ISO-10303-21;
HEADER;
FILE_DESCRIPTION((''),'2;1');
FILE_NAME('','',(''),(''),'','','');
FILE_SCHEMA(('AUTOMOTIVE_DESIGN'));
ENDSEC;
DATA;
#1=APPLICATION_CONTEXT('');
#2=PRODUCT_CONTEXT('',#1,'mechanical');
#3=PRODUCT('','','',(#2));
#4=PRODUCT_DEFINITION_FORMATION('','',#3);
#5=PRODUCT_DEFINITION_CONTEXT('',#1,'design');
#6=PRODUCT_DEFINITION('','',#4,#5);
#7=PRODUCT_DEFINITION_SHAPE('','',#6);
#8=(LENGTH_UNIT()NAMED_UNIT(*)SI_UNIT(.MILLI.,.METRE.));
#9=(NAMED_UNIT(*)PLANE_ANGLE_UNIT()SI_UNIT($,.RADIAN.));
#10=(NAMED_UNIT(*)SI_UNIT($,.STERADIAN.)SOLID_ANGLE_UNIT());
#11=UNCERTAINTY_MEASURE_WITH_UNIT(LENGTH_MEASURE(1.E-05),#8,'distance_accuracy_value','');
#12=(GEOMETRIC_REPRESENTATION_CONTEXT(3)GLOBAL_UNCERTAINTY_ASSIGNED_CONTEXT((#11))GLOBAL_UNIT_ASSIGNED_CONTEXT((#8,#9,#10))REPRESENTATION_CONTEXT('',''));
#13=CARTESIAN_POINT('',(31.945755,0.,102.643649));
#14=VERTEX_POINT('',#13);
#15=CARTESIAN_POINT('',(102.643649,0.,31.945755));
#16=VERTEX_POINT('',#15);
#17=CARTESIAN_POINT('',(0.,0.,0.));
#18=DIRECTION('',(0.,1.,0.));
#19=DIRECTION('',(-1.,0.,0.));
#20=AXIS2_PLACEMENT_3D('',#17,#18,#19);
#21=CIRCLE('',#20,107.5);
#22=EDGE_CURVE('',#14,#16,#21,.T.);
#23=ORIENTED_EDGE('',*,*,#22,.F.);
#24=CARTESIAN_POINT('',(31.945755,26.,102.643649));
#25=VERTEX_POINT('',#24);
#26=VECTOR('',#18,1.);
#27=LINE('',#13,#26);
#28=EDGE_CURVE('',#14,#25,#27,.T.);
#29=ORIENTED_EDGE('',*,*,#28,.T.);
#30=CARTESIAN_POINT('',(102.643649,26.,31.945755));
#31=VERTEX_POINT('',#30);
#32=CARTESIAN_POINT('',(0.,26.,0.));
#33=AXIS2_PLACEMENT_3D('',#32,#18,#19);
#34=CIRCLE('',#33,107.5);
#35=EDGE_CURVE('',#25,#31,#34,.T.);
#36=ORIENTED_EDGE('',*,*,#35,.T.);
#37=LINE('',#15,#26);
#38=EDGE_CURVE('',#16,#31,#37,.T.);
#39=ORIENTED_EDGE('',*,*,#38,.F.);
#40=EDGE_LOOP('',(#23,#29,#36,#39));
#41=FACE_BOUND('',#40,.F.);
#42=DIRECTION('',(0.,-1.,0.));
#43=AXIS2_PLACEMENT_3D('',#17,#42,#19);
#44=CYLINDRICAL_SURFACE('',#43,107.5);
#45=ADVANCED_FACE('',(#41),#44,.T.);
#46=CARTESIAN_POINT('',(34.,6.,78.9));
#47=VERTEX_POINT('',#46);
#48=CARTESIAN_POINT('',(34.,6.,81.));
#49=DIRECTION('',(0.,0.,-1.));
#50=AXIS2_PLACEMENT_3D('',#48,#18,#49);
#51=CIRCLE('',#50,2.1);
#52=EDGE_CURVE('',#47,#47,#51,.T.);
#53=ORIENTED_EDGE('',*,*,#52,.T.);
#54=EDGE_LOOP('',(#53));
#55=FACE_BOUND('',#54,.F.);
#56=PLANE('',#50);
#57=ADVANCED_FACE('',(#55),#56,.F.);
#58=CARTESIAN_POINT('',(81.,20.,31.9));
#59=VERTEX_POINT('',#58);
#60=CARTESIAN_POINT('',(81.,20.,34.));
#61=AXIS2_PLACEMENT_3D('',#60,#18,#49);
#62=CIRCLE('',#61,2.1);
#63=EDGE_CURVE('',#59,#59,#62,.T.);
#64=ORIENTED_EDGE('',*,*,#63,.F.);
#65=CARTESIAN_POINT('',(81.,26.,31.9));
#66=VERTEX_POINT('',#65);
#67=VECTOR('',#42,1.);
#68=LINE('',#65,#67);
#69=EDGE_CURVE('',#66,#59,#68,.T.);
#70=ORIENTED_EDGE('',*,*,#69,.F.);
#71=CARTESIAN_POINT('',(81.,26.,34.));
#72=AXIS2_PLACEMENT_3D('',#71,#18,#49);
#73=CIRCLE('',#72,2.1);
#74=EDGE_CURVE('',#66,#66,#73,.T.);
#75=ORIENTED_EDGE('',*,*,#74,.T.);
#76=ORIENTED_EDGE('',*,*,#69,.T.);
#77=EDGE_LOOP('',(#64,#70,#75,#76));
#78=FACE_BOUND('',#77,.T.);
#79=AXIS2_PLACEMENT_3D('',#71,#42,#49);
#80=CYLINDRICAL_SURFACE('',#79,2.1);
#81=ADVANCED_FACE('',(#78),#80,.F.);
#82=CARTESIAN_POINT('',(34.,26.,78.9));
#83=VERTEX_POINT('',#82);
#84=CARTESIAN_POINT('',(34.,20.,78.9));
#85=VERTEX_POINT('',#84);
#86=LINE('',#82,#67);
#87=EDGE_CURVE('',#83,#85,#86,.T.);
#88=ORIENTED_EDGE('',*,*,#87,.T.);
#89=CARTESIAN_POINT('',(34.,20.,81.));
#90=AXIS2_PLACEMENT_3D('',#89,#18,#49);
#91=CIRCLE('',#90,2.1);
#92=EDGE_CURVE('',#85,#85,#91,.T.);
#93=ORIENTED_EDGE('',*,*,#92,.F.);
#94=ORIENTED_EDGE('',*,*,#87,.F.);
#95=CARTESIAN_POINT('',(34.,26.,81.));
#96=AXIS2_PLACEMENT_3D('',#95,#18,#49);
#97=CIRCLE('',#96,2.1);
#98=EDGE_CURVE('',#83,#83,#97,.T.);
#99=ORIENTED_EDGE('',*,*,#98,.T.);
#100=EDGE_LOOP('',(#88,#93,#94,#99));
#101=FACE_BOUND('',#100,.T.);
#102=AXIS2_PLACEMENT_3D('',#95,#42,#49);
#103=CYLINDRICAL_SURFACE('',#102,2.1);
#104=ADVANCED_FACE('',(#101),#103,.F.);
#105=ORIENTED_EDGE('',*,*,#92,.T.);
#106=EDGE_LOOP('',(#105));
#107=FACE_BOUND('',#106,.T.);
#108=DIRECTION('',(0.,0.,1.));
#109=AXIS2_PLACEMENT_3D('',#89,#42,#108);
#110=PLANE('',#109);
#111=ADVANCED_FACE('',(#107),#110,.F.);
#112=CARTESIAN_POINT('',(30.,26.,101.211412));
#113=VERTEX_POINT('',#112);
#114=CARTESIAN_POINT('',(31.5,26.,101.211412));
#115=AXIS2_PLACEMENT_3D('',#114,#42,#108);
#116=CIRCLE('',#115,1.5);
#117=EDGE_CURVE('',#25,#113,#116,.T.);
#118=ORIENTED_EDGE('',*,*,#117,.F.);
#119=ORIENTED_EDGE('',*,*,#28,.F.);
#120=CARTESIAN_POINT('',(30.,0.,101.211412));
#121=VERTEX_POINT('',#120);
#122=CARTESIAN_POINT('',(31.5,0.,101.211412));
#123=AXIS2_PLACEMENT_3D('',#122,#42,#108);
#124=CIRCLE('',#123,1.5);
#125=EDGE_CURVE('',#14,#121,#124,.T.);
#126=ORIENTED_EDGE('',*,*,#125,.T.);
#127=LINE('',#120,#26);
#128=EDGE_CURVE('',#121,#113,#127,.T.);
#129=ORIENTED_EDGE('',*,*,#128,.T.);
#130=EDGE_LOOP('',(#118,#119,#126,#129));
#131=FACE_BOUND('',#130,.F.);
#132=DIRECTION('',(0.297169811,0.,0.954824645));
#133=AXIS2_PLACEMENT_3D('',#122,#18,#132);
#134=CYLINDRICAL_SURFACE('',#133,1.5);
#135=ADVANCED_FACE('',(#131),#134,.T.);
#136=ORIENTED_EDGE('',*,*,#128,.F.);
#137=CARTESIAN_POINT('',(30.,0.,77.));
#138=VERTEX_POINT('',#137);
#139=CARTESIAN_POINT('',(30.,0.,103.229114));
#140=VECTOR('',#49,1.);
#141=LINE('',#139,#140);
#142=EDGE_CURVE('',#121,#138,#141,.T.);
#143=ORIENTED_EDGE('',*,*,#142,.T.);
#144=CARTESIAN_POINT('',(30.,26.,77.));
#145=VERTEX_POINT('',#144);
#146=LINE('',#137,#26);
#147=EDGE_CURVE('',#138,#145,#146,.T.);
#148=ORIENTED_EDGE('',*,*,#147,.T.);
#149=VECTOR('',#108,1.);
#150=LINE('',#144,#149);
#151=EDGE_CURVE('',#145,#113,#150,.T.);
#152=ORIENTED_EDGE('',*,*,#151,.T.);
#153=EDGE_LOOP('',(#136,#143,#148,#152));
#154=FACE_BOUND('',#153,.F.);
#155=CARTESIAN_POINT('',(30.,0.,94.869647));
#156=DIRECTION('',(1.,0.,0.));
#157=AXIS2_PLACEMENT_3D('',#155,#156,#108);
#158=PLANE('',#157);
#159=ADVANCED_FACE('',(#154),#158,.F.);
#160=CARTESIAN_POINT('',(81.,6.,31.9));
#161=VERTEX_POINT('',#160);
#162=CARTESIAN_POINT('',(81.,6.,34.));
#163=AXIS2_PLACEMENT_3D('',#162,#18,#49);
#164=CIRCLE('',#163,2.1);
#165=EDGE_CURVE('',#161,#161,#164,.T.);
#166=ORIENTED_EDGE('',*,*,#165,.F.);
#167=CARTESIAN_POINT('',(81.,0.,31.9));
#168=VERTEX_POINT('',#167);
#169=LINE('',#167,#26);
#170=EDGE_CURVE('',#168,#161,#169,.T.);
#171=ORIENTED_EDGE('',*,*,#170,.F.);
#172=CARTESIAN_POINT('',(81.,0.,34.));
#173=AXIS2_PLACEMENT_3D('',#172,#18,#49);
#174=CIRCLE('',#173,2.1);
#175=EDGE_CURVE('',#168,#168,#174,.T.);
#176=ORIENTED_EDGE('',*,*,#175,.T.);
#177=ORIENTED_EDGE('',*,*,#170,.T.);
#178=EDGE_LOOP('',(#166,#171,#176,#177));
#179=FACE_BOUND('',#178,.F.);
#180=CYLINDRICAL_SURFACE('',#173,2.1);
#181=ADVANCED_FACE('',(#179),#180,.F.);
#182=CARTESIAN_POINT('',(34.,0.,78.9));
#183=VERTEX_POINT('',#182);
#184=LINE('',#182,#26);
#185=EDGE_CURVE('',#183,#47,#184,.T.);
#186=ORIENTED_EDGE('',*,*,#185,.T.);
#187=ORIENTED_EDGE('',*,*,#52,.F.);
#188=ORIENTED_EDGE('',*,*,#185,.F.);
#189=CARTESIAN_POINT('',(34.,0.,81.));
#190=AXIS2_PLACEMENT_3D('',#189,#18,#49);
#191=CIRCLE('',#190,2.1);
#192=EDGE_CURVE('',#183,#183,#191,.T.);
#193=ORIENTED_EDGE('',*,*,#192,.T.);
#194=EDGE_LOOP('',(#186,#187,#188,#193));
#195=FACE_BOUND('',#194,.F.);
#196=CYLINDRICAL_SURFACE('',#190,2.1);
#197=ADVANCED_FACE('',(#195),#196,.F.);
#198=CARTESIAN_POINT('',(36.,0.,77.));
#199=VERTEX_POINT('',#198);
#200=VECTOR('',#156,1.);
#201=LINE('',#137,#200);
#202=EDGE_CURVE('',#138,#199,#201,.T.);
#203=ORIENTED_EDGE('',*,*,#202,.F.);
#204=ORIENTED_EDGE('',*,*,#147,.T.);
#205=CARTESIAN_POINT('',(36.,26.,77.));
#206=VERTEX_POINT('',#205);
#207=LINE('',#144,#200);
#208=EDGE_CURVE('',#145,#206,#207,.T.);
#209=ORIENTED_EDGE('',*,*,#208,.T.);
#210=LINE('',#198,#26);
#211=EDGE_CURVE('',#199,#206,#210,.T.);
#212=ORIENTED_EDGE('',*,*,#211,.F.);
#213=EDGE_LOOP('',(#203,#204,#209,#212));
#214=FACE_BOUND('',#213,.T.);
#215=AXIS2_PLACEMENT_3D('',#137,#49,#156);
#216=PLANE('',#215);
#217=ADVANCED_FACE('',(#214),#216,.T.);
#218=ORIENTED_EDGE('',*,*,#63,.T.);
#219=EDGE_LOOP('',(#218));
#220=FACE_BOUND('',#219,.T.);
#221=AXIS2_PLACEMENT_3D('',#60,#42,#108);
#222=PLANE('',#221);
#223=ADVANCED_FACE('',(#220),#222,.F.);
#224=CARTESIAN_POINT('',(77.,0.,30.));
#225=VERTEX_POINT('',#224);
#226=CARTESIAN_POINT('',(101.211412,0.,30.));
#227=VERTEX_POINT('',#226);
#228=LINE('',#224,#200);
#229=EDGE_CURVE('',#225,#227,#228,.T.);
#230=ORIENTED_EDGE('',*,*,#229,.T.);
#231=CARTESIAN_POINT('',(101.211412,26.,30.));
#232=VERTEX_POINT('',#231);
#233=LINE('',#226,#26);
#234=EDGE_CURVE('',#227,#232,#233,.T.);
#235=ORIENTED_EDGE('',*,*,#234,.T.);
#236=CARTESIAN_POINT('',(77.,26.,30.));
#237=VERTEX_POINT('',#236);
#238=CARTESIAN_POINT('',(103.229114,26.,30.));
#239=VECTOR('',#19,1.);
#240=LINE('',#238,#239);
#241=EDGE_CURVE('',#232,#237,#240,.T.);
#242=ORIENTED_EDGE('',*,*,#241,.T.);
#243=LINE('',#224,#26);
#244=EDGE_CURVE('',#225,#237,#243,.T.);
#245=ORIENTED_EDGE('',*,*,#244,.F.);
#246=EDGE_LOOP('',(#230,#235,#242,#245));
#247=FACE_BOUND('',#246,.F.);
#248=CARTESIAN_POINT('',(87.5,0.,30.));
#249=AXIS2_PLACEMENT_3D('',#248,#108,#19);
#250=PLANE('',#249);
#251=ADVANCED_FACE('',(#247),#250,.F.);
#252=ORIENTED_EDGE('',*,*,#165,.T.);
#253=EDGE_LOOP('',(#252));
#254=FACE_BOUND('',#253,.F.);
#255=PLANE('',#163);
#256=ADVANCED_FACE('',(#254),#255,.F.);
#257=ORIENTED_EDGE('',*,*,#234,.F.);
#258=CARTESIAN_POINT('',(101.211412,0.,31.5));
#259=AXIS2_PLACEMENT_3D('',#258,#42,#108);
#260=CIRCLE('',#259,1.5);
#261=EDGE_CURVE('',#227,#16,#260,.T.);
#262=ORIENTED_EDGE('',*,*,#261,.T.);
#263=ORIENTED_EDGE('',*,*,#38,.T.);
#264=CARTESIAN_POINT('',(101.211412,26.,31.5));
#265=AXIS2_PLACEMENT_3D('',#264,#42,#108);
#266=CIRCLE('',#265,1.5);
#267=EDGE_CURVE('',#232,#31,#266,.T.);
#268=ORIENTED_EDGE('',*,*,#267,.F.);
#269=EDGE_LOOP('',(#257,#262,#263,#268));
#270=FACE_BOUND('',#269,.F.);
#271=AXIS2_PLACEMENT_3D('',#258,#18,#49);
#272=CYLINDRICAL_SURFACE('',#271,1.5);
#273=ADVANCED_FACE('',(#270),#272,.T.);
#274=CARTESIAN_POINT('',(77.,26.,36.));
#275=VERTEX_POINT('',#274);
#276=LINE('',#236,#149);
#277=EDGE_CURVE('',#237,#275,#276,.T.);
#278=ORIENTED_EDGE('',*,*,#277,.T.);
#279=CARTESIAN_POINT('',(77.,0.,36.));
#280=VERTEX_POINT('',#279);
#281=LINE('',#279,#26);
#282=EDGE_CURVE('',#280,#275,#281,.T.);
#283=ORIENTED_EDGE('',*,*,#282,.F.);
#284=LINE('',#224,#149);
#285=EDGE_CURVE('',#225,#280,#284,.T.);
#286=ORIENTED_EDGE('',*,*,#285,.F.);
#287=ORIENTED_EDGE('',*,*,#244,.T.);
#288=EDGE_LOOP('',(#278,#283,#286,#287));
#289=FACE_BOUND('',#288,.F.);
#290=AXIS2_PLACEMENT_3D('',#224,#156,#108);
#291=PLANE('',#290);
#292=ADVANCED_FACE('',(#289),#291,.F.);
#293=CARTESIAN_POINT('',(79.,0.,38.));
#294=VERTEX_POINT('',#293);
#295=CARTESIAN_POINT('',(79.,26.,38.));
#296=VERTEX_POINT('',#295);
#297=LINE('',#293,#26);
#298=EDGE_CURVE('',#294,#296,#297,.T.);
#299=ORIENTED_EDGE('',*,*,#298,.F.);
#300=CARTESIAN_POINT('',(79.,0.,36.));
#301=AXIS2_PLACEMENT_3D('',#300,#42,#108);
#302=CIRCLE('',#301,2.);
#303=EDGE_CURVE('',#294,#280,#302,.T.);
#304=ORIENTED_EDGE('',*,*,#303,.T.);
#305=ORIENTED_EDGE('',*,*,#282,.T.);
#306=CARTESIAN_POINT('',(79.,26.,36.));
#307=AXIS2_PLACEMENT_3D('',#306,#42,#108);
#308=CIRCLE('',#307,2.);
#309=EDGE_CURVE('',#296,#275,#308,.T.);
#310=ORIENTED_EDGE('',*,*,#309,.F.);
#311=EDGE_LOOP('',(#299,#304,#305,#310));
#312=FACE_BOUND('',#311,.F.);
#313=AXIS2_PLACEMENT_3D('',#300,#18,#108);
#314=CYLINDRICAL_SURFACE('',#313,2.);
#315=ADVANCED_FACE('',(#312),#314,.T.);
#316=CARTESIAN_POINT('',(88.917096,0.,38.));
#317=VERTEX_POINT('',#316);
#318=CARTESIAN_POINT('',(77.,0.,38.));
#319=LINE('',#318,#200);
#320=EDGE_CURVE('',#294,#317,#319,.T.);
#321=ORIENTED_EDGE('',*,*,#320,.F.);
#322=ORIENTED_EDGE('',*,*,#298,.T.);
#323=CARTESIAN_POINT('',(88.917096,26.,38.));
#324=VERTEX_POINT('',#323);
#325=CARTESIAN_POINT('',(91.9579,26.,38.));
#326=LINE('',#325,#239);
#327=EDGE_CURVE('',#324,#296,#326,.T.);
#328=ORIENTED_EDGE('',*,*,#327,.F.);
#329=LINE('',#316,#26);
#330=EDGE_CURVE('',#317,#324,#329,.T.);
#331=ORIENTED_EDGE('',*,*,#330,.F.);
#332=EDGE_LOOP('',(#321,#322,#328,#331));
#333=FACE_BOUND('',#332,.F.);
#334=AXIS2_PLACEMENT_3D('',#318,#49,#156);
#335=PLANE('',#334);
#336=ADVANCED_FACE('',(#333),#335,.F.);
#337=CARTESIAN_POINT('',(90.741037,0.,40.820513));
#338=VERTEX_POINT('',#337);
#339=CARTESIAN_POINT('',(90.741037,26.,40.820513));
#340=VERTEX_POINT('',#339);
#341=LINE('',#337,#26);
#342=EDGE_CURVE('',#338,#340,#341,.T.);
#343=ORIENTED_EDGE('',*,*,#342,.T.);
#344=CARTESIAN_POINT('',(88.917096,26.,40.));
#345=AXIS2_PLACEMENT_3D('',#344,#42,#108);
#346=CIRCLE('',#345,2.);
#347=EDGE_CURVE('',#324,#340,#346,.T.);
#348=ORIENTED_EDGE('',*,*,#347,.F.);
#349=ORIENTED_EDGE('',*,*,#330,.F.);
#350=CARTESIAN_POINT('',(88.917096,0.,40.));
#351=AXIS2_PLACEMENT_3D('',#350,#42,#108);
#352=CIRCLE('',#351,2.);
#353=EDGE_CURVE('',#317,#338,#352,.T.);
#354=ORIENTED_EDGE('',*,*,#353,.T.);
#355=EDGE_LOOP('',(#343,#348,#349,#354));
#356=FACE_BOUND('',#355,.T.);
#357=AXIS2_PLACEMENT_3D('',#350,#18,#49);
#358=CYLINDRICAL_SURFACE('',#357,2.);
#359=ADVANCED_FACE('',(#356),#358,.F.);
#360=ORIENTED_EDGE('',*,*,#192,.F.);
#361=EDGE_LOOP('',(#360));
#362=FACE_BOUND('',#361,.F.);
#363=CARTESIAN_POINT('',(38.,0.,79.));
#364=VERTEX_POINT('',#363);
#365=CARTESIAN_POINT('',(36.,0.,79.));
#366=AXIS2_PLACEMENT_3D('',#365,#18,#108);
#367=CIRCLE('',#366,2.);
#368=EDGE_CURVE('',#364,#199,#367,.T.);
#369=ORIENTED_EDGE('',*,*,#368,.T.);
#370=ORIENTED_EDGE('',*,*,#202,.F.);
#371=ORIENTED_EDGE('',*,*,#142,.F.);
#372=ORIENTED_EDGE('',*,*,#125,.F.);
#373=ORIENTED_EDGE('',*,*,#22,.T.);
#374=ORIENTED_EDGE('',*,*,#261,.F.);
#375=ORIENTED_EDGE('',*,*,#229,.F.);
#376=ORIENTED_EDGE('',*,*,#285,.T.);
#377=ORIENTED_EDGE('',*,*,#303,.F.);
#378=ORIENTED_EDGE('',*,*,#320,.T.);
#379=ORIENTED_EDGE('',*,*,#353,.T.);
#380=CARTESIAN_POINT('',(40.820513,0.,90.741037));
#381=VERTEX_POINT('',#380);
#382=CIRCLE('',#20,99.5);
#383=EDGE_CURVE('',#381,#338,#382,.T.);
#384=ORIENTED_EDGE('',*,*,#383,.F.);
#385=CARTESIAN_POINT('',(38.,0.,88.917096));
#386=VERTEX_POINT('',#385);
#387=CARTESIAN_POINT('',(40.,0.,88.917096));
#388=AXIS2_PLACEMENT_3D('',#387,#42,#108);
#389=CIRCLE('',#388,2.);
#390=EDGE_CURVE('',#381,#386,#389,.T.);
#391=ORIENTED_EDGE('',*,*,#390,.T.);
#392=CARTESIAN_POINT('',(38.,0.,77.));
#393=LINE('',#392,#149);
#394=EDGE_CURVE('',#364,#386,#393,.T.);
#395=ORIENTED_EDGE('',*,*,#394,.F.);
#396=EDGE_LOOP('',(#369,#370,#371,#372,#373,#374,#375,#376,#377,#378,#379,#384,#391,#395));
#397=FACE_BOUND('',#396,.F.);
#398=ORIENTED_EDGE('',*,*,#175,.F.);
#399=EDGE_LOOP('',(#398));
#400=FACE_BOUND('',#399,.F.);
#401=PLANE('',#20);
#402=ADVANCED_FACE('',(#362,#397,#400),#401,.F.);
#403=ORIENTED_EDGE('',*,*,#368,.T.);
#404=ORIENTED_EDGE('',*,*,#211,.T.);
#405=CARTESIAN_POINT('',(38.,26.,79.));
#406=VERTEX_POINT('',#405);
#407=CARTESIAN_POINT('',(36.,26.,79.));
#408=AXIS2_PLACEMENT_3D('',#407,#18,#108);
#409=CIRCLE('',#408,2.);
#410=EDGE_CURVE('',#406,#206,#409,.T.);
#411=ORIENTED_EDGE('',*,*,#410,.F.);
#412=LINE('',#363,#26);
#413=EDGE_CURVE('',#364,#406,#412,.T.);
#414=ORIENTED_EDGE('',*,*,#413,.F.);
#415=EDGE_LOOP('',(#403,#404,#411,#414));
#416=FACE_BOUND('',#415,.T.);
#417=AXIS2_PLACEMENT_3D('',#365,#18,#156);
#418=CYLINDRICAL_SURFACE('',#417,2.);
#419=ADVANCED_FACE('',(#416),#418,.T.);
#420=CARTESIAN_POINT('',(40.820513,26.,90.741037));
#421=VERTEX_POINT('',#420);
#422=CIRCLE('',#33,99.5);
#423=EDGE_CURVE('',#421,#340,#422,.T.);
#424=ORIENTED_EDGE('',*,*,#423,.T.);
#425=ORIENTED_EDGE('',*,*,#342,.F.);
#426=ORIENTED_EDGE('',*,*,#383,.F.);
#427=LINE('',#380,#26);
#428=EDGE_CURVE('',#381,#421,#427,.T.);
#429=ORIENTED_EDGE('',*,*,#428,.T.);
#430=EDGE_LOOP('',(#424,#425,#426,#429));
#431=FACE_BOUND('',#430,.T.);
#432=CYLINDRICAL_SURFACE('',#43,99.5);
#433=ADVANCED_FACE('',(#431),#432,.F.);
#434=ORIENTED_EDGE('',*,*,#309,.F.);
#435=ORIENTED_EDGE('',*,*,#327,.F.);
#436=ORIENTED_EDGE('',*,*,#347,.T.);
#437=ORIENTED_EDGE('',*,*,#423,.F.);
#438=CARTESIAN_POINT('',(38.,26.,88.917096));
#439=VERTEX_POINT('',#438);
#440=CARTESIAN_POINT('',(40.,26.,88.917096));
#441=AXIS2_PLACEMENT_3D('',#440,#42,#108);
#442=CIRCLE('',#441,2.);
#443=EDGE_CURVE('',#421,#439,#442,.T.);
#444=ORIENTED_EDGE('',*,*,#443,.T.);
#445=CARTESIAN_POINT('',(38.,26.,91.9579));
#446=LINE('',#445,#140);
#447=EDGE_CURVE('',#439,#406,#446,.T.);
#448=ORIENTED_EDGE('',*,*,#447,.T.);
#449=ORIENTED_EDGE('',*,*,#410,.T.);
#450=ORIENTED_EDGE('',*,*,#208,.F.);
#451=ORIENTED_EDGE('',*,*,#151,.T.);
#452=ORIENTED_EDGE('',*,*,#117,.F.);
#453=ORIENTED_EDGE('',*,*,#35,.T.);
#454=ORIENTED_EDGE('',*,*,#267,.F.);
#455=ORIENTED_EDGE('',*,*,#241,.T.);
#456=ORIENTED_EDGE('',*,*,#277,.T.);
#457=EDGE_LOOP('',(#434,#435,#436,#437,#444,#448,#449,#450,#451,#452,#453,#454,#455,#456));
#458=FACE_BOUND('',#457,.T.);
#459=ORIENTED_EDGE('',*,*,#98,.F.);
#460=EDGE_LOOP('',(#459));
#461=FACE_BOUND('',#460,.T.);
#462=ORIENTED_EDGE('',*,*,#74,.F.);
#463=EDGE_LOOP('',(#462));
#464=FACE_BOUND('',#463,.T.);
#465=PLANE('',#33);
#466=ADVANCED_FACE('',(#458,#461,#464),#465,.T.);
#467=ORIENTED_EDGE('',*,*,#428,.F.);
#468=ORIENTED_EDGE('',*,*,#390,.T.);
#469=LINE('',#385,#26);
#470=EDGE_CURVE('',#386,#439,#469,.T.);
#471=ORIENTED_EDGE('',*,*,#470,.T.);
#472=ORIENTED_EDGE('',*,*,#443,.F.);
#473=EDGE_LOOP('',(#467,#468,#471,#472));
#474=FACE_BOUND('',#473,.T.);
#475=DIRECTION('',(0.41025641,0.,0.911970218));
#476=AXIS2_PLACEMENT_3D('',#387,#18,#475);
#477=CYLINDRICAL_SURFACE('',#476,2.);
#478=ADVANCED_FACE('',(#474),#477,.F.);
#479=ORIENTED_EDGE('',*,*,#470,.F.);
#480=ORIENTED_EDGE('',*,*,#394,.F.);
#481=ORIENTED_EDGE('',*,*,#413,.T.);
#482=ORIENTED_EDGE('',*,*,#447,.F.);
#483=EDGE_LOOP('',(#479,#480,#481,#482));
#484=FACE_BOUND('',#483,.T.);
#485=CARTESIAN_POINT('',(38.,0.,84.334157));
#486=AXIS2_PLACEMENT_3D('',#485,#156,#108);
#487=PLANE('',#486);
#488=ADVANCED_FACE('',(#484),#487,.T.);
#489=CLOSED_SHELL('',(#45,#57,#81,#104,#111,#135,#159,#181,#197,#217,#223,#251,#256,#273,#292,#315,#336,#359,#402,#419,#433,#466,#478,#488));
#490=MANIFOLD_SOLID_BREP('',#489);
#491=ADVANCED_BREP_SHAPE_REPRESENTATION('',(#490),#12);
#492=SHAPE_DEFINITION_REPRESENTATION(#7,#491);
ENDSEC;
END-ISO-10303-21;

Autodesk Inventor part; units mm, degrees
ref_plane "YZ Plane" through (0, 0, 0) normal (1, 0, 0) x (0, 1, 0)
ref_plane "XZ Plane" through (0, 0, 0) normal (0, 1, 0) x (-1, 0, 0)
sketch "Sketch1" plane through (0, 0, 0) normal (0, 1, 0) x (-1, 0, 0)
  line L0 (-130, 30) -> (130, 30)
  line L1 (130, 30) -> (130, -30)
  line L2 (130, -30) -> (-130, -30)
  line L3 (-130, -30) -> (-130, 30)
  line L4 (-130, 30) -> (130, -30) construction
  line L5 (130, 30) -> (-130, -30) construction
  line L6 (-30, -130) -> (-30, 130)
  line L7 (-30, 130) -> (30, 130)
  line L8 (30, 130) -> (30, -130)
  line L9 (30, -130) -> (-30, -130)
  line L10 (-30, -130) -> (30, 130) construction
  line L11 (-30, 130) -> (30, -130) construction
  line L12 (130, -30) -> (-130, -30)
  line L13 (-130, -30) -> (-130, 30)
  line L14 (-130, 30) -> (130, 30)
  line L15 (130, 30) -> (130, -30)
  line L16 (130, -30) -> (-130, 30) construction
  line L17 (-130, -30) -> (130, 30) construction
  line L18 (30, 130) -> (30, -130)
  line L19 (30, -130) -> (-30, -130)
  line L20 (-30, -130) -> (-30, 130)
  line L21 (-30, 130) -> (30, 130)
  line L22 (30, 130) -> (-30, -130) construction
  line L23 (30, -130) -> (-30, 130) construction
  arc A0 (130, -30) -> (130, 30) centre (0, 0) ccw
  line L24 (-130, 0) -> (-107.5, 0) construction
  circle A1 centre (0, 0) radius 107.5
  circle A2 centre (0, 0) radius 92.5
  line L25 (-30, 87.5) -> (-30, 77)
  line L26 (-30, 77) -> (-38, 77)
  circle A3 centre (0, 0) radius 99.5
  line L27 (-38, 77) -> (-38, 91.9579)
  line L28 (-87.5, 30) -> (-77, 30)
  line L29 (-77, 30) -> (-77, 38)
  line L30 (-77, 38) -> (-91.9579, 38)
  line L31 (-34, 77) -> (-34, 81) construction
  line L32 (-77, 34) -> (-81, 34) construction
  line L33 (-81, 34) -> (-81, 30) construction
  point P0 (-30, 30)
  point P1 (-30, 30)
  point P2 (-30, 77)
  point P3 (-30, 103.2291)
  point P4 (-103.2291, 30)
  point P5 (-77, 30)
  dimension "d1" = 260
  dimension "d2" = 60
  dimension "d5" = 360
  dimension "d7" = 22.5
  dimension "d8" = 15
  dimension "d9" = 10.5
  dimension "d10" = 8
  dimension "d11" = 8
  dimension "d12" = 10.5
  dimension "d13" = 8
  dimension "d14" = 4
  dimension "d15" = 4
  dimension "d16" = 4
extrude "Extrusion1" add sketch "Sketch1" along normal blind 26 contours A2 L30 L29 L0 | L0 A3 L30 A2 | L0 A1 L6 A3 | L27 A3 L6 A2 | A2 L6 L26 L27
fillet "Fillet1" radius 2 4 edges at (38, 13, 91.9579) (91.9579, 13, 38) (77, 13, 38) (38, 13, 77)
hole "Hole1" at (34, 0, 81) at (81, 0, 34) direction (0, 1, 0) diameter 4.2 depth 6
ref_plane "Work Plane1" through (0, 13, 0) normal (0, 1, 0) x (1, 0, 0)
mirror "Mirror1" about plane through (0, 13, 0) normal (0, 1, 0) of "Hole1"
fillet "Fillet2" radius 1.5 2 edges at (103.2291, 13, 30) (30, 13, 103.2291)
equation "\"d9\" = d12"
equation "\"d10\" = d11"
equation "\"d13\" = d11"
equation "\"d14\" = 0.5 * d11"
equation "\"d15\" = 0.5 * d11"
equation "\"d16\" = 0.5 * d11"
properties part number "Side Wall"
